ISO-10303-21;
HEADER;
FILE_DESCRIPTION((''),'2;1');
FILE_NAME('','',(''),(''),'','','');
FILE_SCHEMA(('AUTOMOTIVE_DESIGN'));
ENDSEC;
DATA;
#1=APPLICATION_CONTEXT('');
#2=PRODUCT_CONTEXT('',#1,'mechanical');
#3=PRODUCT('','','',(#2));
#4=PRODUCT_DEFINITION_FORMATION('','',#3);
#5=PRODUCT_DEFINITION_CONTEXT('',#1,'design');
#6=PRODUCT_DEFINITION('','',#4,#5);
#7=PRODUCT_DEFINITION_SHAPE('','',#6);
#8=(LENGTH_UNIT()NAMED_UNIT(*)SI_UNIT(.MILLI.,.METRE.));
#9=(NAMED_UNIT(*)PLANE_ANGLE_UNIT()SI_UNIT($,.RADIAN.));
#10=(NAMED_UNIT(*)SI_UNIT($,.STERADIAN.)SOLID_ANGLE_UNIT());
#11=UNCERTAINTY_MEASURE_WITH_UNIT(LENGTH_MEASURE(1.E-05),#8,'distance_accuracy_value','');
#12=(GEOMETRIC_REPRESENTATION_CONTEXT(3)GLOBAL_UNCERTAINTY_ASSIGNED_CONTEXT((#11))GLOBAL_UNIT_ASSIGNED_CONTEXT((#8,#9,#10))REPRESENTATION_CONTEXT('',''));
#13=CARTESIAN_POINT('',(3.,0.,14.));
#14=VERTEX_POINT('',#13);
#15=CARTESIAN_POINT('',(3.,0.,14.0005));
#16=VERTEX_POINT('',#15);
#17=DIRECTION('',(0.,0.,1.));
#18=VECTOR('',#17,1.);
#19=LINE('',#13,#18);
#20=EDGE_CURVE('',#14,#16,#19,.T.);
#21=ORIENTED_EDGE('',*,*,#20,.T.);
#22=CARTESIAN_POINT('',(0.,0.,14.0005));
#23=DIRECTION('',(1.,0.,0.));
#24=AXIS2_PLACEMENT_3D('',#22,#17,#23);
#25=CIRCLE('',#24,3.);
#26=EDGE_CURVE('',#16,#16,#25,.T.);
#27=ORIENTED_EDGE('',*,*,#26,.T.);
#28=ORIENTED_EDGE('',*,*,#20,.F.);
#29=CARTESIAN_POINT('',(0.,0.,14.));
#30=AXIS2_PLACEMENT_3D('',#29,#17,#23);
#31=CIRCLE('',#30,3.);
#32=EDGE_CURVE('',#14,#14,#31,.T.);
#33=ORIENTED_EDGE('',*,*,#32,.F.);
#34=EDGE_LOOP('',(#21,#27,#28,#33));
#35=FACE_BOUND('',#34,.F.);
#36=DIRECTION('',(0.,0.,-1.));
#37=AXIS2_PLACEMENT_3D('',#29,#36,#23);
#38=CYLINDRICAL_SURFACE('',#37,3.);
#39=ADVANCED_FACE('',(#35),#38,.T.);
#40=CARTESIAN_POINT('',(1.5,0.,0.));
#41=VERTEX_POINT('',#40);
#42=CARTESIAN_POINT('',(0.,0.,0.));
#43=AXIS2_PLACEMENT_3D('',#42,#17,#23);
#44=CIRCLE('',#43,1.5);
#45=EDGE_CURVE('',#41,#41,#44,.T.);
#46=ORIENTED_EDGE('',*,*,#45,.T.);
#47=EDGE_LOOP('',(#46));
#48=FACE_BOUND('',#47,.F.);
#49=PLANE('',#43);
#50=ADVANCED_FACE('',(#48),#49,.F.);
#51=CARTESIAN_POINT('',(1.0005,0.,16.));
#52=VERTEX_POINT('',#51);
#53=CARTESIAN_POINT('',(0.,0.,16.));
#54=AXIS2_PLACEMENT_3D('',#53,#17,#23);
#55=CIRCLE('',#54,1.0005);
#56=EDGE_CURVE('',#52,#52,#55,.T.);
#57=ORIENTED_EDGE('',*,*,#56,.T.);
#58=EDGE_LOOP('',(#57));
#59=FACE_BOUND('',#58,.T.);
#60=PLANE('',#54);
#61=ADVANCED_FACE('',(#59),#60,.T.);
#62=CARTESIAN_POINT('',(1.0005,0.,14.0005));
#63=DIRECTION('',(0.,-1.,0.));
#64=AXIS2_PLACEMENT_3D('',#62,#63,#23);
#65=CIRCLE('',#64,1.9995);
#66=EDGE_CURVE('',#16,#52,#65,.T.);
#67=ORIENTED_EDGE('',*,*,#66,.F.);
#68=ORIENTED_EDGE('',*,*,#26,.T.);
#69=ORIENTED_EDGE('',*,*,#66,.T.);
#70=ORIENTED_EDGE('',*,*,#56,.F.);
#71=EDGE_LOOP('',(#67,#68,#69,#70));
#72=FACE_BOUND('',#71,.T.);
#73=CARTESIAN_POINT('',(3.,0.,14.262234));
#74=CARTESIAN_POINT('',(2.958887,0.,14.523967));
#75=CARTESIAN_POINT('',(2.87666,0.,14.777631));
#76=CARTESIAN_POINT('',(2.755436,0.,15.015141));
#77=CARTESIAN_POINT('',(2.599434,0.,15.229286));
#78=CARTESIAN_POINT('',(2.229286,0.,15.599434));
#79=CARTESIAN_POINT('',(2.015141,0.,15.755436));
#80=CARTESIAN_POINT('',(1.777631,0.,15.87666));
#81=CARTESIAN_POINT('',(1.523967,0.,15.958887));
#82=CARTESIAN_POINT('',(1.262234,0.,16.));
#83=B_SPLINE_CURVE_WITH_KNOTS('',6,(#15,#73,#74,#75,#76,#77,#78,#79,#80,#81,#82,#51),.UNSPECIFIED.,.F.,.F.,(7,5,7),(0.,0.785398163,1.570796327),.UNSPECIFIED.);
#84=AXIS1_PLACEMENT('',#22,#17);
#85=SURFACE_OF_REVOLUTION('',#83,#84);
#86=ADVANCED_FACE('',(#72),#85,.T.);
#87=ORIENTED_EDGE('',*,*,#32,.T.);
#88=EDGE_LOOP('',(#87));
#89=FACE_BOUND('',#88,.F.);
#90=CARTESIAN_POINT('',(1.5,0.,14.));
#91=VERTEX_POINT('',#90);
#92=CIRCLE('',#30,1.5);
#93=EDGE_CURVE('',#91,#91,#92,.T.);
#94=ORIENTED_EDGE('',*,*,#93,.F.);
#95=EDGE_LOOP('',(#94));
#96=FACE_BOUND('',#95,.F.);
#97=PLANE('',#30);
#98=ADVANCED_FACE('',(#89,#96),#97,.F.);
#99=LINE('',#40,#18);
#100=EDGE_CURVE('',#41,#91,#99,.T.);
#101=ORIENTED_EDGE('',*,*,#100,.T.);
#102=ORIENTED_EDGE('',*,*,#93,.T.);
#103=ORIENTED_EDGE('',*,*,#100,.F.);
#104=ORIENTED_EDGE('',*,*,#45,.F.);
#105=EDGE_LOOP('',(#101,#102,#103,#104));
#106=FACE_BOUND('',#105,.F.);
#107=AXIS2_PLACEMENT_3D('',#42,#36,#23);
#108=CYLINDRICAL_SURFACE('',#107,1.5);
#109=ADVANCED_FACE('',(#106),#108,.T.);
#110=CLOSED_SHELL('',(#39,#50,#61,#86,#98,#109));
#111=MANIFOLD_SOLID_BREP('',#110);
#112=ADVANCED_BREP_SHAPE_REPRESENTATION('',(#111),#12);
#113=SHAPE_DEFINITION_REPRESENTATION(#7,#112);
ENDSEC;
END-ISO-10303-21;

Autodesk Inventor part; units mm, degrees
ref_plane "YZ Plane" through (0, 0, 0) normal (1, 0, 0) x (0, 1, 0)
ref_plane "XZ Plane" through (0, 0, 0) normal (0, 1, 0) x (-1, 0, 0)
ref_plane "XY Plane" through (0, 0, 0) normal (0, 0, 1) x (1, 0, 0)
sketch "スケッチ1" plane through (0, 0, 0) normal (0, 0, 1) x (1, 0, 0)
  circle A0 centre (0, 0) radius 1.5
  dimension "d0" = 3
extrude "押し出し1" add sketch "スケッチ1" along normal blind 14
sketch "スケッチ2" plane through (0, 0, 14) normal (0, 0, 1) x (1, 0, 0)
  circle A0 centre (0, 0) radius 1.5 projected
  circle A1 centre (0, 0) radius 3
  dimension "d3" = 6
extrude "押し出し2" add sketch "スケッチ2" along normal blind 2 contours A0 | A1
fillet "フィレット1" radius 2 1 edges at (-3, 0, 16)
properties part number "M3ボタンボルト14" material "鋼、高強度、低合金"
